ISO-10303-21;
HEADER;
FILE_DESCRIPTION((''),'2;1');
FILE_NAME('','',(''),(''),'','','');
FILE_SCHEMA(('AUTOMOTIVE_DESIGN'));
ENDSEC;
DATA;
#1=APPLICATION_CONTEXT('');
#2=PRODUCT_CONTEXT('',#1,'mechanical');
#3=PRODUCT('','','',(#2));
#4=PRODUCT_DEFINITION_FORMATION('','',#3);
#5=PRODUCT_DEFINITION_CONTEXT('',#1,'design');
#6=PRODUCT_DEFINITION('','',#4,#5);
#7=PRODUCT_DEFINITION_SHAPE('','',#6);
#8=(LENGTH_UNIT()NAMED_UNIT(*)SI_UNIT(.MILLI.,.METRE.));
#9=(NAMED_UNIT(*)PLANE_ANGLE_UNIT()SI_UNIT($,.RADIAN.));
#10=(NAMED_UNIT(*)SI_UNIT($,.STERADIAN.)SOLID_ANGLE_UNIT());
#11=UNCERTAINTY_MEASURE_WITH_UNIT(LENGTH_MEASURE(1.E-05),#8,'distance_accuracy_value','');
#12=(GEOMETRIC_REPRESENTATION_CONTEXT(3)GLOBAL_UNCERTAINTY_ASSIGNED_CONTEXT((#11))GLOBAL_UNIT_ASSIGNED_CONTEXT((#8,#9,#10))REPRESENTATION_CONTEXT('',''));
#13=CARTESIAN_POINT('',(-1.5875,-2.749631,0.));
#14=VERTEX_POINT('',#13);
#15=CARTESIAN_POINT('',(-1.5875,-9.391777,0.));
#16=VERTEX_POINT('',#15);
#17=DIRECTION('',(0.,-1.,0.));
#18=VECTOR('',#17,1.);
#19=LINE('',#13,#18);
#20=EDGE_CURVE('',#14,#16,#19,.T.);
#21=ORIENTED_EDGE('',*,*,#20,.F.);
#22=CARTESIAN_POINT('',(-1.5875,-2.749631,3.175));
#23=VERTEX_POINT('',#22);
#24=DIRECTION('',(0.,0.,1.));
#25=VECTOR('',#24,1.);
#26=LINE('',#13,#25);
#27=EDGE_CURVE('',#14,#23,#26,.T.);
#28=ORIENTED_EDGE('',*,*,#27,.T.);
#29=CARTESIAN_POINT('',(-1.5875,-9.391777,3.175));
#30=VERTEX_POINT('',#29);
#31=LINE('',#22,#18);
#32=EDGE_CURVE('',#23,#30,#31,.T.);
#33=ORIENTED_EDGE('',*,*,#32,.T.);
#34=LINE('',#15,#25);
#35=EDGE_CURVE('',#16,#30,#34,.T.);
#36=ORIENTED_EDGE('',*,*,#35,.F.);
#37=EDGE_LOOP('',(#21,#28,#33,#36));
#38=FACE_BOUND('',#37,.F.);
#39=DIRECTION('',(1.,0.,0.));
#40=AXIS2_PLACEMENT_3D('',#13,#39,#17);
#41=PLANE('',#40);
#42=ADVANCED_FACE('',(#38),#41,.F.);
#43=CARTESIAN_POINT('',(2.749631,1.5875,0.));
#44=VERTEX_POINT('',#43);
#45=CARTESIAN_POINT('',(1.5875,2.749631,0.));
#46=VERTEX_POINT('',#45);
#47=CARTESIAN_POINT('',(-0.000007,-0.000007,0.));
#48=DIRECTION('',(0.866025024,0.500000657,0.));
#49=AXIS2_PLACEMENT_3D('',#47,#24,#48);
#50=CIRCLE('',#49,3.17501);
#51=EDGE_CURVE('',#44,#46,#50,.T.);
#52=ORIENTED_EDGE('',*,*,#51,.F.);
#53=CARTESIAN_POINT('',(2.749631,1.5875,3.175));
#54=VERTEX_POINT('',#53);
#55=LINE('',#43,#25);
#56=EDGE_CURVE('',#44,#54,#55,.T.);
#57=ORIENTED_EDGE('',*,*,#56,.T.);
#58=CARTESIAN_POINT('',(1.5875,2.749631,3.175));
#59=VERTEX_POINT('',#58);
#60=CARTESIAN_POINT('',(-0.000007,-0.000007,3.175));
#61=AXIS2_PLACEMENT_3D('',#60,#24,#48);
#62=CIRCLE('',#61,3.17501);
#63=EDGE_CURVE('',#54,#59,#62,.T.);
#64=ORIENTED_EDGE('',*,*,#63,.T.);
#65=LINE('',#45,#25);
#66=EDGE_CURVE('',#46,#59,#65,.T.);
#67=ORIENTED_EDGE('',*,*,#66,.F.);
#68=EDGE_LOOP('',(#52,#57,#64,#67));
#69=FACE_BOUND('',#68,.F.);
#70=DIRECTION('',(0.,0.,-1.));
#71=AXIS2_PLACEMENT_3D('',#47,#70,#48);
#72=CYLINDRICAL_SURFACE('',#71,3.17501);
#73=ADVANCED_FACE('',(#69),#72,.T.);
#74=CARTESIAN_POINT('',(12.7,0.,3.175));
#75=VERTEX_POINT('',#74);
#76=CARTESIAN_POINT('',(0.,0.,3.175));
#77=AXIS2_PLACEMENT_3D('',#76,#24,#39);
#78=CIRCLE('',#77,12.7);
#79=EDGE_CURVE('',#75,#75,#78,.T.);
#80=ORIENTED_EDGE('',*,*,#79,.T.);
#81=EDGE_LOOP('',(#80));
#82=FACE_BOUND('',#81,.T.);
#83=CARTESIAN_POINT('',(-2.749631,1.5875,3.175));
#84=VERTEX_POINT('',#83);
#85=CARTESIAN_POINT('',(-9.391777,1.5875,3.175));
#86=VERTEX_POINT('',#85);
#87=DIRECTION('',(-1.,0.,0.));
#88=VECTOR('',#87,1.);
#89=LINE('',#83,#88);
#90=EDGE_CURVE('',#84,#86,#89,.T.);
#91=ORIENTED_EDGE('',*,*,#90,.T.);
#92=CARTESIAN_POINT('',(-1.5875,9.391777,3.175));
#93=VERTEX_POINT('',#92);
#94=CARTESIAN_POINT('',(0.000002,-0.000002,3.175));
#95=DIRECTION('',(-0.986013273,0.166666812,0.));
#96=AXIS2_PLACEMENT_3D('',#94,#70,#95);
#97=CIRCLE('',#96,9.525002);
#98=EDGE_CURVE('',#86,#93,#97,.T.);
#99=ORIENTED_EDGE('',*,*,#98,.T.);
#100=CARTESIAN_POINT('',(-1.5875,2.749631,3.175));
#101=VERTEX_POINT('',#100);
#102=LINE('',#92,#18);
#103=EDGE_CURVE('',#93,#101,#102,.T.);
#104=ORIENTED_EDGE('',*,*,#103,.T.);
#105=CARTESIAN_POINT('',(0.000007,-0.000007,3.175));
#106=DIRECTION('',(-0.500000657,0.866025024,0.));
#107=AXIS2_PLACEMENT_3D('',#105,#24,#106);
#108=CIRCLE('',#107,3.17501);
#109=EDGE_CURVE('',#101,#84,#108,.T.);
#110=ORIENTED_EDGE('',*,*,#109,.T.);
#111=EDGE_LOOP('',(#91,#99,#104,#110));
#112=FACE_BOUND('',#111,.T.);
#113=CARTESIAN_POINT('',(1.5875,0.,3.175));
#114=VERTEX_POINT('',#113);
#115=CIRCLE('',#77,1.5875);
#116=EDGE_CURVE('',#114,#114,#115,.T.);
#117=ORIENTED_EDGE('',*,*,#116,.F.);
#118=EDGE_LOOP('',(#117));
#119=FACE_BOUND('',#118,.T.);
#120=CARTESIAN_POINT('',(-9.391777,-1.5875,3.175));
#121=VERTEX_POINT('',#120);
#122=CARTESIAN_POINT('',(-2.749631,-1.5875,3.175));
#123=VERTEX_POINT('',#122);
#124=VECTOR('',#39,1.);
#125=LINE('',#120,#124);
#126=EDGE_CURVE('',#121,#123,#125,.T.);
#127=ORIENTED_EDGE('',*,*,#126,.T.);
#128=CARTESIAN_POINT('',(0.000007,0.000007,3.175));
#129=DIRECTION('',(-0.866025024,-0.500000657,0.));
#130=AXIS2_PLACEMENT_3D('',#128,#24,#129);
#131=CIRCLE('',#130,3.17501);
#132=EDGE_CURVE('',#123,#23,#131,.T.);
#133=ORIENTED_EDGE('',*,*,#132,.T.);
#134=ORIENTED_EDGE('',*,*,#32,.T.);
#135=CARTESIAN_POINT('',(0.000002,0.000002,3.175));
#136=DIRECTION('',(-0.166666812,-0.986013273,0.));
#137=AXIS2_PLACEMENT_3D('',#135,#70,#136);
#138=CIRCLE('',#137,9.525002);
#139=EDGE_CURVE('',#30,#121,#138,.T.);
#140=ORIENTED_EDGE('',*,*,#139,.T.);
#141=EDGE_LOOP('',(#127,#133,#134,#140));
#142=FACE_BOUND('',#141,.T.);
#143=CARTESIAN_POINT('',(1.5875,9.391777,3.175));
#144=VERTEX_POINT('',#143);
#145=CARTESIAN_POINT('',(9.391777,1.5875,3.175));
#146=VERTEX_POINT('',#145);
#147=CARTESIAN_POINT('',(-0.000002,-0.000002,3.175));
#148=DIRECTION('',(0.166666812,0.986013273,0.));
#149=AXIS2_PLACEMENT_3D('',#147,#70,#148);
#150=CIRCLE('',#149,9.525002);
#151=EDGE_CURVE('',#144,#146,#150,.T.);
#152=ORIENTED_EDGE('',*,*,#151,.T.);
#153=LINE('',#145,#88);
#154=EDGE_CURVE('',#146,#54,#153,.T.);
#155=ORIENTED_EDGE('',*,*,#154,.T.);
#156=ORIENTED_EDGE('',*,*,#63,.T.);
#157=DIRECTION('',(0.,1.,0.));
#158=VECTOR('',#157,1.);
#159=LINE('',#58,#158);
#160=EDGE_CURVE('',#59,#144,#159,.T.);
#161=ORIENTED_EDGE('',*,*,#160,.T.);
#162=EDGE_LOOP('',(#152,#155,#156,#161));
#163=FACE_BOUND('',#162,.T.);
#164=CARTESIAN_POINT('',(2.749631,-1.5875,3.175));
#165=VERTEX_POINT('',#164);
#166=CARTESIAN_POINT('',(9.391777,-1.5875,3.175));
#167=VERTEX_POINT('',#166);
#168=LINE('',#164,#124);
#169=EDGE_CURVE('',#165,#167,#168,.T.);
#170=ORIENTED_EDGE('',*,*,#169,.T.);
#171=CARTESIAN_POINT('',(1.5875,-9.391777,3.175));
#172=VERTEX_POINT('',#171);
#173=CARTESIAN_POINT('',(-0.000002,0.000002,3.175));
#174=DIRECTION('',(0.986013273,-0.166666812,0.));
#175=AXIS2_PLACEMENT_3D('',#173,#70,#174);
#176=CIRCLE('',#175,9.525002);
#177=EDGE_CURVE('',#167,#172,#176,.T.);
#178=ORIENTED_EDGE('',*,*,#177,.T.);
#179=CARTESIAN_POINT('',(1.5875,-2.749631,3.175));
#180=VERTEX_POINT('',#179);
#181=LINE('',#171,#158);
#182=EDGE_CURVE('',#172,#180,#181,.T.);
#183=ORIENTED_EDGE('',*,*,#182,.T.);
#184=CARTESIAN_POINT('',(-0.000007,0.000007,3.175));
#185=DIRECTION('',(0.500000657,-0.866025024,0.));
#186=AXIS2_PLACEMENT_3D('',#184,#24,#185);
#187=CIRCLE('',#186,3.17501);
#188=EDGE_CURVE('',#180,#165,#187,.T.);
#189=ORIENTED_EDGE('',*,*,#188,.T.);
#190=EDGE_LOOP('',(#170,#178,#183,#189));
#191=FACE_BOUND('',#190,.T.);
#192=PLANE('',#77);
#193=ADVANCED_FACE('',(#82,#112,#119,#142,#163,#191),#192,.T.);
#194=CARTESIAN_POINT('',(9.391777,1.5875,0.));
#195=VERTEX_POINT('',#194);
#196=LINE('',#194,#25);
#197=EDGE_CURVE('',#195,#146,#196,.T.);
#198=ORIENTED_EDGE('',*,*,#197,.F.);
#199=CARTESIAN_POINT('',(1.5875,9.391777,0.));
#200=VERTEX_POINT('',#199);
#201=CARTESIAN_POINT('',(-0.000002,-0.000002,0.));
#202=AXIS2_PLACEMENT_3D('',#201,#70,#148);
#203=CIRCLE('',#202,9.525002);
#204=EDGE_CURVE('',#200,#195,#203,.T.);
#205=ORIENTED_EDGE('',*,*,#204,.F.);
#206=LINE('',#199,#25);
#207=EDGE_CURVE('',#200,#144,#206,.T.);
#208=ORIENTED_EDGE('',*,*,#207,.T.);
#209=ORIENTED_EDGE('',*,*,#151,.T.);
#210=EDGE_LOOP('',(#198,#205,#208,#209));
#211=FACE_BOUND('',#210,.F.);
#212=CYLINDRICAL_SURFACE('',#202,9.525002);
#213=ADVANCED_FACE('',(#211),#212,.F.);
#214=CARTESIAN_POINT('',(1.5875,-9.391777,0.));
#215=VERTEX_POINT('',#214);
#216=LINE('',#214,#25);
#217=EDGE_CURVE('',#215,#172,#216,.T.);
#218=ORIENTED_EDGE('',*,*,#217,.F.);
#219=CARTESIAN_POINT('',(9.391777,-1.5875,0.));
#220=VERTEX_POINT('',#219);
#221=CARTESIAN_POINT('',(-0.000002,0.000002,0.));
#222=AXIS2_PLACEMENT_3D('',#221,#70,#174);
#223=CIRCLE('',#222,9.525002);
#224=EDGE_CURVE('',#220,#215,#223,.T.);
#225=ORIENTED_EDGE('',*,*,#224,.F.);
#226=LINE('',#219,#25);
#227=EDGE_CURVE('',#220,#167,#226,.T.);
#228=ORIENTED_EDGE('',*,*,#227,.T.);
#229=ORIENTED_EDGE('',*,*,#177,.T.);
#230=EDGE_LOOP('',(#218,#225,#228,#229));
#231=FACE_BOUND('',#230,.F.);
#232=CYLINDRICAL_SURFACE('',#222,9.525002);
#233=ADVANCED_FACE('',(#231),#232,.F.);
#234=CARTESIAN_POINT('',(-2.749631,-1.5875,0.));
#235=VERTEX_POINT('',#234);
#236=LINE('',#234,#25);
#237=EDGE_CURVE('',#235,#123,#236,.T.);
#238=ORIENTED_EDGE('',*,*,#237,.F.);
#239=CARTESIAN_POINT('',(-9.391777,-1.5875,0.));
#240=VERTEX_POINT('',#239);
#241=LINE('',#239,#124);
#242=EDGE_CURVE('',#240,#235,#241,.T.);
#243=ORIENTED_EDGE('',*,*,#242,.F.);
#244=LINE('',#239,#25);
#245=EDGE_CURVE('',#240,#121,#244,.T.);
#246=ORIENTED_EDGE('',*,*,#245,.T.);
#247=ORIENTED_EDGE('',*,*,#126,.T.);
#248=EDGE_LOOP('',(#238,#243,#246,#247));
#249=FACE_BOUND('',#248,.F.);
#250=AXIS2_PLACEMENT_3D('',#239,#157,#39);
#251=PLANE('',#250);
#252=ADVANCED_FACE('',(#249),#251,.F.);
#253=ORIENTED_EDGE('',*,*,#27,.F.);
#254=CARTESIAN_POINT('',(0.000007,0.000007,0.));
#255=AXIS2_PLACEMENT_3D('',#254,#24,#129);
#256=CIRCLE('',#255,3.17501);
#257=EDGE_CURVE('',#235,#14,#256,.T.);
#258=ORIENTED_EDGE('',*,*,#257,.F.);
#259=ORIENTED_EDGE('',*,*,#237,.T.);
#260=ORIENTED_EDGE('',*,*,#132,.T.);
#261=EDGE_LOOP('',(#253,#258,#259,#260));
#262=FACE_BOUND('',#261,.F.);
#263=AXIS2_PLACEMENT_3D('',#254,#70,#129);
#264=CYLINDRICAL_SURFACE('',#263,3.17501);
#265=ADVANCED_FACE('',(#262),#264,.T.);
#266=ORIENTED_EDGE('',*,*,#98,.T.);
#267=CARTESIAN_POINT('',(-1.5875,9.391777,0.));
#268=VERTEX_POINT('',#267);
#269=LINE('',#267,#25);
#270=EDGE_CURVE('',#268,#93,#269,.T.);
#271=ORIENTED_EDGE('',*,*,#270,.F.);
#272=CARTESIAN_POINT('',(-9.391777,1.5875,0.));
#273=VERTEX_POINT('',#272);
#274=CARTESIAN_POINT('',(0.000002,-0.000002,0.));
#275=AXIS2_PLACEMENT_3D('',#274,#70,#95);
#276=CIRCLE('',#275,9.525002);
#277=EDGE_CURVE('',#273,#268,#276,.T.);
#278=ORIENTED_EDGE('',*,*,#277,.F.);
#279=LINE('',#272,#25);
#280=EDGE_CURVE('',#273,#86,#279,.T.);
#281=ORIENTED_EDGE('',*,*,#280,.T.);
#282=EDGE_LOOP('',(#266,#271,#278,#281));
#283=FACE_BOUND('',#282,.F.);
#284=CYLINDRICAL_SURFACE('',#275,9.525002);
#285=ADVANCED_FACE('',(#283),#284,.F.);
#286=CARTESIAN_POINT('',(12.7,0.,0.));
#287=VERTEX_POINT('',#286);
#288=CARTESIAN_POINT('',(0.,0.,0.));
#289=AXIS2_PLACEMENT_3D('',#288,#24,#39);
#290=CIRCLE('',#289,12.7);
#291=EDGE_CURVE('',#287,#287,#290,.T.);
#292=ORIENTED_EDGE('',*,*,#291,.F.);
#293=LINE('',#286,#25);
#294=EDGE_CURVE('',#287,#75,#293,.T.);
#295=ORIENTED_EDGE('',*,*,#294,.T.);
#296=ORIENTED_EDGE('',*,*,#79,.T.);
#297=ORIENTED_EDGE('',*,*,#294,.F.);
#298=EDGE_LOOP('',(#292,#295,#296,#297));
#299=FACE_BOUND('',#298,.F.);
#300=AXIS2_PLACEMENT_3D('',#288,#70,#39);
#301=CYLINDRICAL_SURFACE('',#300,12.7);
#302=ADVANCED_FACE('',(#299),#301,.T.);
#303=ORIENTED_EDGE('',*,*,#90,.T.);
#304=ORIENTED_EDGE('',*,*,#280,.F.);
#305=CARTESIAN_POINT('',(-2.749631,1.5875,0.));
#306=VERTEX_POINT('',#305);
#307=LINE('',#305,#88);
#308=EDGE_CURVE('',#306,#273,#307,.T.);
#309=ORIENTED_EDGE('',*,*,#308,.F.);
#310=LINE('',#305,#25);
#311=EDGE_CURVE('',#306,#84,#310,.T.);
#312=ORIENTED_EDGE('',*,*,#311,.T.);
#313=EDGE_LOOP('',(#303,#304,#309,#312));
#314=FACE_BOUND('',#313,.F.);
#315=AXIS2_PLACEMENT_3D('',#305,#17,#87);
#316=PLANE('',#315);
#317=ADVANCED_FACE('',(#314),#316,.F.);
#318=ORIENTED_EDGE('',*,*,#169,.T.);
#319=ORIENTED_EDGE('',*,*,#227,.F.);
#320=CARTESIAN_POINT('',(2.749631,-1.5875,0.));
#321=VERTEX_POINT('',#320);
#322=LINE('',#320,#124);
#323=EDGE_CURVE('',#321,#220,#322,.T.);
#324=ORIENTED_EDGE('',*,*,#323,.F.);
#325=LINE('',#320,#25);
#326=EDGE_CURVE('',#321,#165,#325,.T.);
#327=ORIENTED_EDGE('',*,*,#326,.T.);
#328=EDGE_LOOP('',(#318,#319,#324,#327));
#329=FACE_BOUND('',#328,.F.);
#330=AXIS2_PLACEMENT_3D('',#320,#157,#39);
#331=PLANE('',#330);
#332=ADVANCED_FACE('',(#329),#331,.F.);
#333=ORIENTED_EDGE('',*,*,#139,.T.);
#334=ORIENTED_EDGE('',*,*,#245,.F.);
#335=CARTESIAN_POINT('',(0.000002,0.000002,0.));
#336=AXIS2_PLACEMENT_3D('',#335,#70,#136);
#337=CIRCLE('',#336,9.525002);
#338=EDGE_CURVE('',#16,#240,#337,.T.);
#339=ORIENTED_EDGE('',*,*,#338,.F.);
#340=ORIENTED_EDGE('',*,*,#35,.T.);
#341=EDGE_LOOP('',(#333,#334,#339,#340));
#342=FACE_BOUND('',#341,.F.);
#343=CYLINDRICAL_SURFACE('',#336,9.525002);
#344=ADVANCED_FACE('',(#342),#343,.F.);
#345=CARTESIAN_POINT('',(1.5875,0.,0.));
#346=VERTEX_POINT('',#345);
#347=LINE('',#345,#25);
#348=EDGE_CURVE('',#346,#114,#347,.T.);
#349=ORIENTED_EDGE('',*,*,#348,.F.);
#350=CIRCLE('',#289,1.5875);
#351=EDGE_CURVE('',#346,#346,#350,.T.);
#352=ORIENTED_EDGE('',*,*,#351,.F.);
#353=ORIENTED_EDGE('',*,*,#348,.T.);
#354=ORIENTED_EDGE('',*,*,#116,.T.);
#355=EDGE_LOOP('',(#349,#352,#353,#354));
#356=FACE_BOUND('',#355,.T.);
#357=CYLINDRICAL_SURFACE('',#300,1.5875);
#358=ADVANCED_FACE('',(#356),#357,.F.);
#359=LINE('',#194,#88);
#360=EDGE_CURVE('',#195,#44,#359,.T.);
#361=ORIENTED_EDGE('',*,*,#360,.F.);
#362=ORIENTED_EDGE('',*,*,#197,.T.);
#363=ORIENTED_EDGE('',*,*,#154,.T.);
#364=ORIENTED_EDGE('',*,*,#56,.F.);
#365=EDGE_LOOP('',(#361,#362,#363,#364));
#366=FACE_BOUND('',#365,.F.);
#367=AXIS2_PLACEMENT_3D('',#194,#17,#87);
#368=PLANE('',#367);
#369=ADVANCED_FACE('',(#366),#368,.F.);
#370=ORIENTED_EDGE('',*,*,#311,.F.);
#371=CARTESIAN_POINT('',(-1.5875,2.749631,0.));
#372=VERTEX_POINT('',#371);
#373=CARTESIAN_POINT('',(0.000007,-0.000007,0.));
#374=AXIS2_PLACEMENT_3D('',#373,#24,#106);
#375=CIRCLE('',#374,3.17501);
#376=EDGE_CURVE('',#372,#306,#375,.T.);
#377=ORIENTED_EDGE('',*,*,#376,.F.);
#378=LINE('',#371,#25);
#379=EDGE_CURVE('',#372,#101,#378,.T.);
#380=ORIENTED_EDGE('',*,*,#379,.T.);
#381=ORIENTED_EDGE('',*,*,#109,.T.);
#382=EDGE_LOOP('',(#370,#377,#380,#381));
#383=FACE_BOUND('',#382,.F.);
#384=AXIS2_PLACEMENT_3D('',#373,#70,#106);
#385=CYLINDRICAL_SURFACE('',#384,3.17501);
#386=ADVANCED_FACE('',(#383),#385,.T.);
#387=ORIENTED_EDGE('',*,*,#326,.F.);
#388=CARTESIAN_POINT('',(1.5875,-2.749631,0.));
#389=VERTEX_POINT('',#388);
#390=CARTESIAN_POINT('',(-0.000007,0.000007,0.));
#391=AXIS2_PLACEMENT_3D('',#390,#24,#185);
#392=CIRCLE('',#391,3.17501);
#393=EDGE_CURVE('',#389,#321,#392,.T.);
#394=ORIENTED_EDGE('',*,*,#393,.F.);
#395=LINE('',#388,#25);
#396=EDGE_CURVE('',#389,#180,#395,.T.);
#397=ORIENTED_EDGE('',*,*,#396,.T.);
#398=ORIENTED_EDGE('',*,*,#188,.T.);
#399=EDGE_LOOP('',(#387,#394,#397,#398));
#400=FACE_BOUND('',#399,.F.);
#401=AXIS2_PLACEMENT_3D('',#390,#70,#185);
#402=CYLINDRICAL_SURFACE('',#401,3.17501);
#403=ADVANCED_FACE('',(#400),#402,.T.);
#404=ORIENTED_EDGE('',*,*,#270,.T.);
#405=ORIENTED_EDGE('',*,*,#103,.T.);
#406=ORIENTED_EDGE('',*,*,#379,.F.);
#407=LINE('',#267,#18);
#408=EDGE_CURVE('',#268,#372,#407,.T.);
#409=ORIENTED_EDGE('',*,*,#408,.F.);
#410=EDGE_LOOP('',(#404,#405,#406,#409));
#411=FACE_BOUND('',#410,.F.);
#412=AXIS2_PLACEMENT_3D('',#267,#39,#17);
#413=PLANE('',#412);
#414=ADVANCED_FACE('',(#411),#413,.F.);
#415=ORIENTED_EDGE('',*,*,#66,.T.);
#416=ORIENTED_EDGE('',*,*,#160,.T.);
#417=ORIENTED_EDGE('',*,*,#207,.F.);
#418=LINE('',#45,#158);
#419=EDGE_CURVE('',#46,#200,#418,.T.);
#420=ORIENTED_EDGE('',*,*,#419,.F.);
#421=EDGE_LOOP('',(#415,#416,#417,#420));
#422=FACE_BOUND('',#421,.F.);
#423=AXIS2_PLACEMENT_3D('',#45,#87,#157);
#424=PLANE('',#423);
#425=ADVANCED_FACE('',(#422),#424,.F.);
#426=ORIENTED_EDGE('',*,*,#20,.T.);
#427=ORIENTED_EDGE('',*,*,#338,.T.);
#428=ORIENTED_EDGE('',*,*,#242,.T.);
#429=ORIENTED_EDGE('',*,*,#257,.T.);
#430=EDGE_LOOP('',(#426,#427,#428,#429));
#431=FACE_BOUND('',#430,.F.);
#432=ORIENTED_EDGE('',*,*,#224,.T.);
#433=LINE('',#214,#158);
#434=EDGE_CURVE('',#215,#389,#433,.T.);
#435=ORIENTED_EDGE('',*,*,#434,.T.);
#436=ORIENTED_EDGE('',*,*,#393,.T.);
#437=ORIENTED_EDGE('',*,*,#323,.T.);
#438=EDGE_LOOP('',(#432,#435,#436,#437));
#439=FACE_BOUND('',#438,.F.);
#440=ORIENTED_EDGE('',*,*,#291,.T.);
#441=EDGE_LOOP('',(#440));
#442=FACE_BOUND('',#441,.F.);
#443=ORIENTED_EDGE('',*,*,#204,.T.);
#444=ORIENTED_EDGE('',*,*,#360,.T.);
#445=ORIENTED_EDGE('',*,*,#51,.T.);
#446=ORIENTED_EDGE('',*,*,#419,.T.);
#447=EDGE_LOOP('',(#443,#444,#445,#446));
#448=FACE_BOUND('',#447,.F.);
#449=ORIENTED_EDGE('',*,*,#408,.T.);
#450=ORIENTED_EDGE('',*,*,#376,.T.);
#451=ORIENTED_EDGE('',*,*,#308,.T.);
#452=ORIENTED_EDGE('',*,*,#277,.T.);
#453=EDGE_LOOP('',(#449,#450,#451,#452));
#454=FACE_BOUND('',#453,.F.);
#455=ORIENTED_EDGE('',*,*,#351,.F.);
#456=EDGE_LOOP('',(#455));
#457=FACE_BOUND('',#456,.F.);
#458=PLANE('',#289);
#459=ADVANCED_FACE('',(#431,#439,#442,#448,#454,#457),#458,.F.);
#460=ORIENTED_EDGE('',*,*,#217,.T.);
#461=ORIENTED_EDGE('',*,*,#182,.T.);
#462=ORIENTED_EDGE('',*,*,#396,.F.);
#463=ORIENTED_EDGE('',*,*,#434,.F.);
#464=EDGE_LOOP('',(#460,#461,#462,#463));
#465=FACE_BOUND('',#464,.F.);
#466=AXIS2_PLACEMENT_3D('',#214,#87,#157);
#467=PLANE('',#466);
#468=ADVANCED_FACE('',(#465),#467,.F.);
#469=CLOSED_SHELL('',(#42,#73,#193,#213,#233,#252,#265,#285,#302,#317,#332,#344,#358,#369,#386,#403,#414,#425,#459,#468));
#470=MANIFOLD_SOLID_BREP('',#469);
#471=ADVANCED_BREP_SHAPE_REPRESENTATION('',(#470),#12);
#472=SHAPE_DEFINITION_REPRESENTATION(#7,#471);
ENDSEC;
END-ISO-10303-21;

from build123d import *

# Parameters (mm, degrees)
F0_R     = 12.7
F0_R_2   = 1.5875
F1_DEPTH = 3.175


with BuildPart() as f1:
    # F0 (on Top) → F1 (new body)
    with BuildSketch(Plane.XY):
        Circle(F0_R)
        with BuildLine():
            ThreePointArc((-1.5875, -9.391777), (-6.735192, -6.735192), (-9.391777, -1.5875))
            Line((-9.391777, -1.5875), (-2.749631, -1.5875))
            ThreePointArc((-2.749631, -1.5875), (-2.245064, -2.245064), (-1.5875, -2.749631))
            Line((-1.5875, -2.749631), (-1.5875, -9.391777))
        make_face(mode=Mode.SUBTRACT)
        Circle(F0_R_2, mode=Mode.SUBTRACT)
        with BuildLine():
            Line((1.5875, -9.391777), (1.5875, -2.749631))
            ThreePointArc((1.5875, -2.749631), (2.245064, -2.245064), (2.749631, -1.5875))
            Line((2.749631, -1.5875), (9.391777, -1.5875))
            ThreePointArc((9.391777, -1.5875), (6.735192, -6.735192), (1.5875, -9.391777))
        make_face(mode=Mode.SUBTRACT)
        with BuildLine():
            Line((-1.5875, 9.391777), (-1.5875, 2.749631))
            ThreePointArc((-1.5875, 2.749631), (-2.245064, 2.245064), (-2.749631, 1.5875))
            Line((-2.749631, 1.5875), (-9.391777, 1.5875))
            ThreePointArc((-9.391777, 1.5875), (-6.735192, 6.735192), (-1.5875, 9.391777))
        make_face(mode=Mode.SUBTRACT)
        with BuildLine():
            ThreePointArc((2.749631, 1.5875), (2.245064, 2.245064), (1.5875, 2.749631))
            Line((1.5875, 2.749631), (1.5875, 9.391777))
            ThreePointArc((1.5875, 9.391777), (6.735192, 6.735192), (9.391777, 1.5875))
            Line((9.391777, 1.5875), (2.749631, 1.5875))
        make_face(mode=Mode.SUBTRACT)
    extrude(amount=F1_DEPTH)


solid = f1.part
